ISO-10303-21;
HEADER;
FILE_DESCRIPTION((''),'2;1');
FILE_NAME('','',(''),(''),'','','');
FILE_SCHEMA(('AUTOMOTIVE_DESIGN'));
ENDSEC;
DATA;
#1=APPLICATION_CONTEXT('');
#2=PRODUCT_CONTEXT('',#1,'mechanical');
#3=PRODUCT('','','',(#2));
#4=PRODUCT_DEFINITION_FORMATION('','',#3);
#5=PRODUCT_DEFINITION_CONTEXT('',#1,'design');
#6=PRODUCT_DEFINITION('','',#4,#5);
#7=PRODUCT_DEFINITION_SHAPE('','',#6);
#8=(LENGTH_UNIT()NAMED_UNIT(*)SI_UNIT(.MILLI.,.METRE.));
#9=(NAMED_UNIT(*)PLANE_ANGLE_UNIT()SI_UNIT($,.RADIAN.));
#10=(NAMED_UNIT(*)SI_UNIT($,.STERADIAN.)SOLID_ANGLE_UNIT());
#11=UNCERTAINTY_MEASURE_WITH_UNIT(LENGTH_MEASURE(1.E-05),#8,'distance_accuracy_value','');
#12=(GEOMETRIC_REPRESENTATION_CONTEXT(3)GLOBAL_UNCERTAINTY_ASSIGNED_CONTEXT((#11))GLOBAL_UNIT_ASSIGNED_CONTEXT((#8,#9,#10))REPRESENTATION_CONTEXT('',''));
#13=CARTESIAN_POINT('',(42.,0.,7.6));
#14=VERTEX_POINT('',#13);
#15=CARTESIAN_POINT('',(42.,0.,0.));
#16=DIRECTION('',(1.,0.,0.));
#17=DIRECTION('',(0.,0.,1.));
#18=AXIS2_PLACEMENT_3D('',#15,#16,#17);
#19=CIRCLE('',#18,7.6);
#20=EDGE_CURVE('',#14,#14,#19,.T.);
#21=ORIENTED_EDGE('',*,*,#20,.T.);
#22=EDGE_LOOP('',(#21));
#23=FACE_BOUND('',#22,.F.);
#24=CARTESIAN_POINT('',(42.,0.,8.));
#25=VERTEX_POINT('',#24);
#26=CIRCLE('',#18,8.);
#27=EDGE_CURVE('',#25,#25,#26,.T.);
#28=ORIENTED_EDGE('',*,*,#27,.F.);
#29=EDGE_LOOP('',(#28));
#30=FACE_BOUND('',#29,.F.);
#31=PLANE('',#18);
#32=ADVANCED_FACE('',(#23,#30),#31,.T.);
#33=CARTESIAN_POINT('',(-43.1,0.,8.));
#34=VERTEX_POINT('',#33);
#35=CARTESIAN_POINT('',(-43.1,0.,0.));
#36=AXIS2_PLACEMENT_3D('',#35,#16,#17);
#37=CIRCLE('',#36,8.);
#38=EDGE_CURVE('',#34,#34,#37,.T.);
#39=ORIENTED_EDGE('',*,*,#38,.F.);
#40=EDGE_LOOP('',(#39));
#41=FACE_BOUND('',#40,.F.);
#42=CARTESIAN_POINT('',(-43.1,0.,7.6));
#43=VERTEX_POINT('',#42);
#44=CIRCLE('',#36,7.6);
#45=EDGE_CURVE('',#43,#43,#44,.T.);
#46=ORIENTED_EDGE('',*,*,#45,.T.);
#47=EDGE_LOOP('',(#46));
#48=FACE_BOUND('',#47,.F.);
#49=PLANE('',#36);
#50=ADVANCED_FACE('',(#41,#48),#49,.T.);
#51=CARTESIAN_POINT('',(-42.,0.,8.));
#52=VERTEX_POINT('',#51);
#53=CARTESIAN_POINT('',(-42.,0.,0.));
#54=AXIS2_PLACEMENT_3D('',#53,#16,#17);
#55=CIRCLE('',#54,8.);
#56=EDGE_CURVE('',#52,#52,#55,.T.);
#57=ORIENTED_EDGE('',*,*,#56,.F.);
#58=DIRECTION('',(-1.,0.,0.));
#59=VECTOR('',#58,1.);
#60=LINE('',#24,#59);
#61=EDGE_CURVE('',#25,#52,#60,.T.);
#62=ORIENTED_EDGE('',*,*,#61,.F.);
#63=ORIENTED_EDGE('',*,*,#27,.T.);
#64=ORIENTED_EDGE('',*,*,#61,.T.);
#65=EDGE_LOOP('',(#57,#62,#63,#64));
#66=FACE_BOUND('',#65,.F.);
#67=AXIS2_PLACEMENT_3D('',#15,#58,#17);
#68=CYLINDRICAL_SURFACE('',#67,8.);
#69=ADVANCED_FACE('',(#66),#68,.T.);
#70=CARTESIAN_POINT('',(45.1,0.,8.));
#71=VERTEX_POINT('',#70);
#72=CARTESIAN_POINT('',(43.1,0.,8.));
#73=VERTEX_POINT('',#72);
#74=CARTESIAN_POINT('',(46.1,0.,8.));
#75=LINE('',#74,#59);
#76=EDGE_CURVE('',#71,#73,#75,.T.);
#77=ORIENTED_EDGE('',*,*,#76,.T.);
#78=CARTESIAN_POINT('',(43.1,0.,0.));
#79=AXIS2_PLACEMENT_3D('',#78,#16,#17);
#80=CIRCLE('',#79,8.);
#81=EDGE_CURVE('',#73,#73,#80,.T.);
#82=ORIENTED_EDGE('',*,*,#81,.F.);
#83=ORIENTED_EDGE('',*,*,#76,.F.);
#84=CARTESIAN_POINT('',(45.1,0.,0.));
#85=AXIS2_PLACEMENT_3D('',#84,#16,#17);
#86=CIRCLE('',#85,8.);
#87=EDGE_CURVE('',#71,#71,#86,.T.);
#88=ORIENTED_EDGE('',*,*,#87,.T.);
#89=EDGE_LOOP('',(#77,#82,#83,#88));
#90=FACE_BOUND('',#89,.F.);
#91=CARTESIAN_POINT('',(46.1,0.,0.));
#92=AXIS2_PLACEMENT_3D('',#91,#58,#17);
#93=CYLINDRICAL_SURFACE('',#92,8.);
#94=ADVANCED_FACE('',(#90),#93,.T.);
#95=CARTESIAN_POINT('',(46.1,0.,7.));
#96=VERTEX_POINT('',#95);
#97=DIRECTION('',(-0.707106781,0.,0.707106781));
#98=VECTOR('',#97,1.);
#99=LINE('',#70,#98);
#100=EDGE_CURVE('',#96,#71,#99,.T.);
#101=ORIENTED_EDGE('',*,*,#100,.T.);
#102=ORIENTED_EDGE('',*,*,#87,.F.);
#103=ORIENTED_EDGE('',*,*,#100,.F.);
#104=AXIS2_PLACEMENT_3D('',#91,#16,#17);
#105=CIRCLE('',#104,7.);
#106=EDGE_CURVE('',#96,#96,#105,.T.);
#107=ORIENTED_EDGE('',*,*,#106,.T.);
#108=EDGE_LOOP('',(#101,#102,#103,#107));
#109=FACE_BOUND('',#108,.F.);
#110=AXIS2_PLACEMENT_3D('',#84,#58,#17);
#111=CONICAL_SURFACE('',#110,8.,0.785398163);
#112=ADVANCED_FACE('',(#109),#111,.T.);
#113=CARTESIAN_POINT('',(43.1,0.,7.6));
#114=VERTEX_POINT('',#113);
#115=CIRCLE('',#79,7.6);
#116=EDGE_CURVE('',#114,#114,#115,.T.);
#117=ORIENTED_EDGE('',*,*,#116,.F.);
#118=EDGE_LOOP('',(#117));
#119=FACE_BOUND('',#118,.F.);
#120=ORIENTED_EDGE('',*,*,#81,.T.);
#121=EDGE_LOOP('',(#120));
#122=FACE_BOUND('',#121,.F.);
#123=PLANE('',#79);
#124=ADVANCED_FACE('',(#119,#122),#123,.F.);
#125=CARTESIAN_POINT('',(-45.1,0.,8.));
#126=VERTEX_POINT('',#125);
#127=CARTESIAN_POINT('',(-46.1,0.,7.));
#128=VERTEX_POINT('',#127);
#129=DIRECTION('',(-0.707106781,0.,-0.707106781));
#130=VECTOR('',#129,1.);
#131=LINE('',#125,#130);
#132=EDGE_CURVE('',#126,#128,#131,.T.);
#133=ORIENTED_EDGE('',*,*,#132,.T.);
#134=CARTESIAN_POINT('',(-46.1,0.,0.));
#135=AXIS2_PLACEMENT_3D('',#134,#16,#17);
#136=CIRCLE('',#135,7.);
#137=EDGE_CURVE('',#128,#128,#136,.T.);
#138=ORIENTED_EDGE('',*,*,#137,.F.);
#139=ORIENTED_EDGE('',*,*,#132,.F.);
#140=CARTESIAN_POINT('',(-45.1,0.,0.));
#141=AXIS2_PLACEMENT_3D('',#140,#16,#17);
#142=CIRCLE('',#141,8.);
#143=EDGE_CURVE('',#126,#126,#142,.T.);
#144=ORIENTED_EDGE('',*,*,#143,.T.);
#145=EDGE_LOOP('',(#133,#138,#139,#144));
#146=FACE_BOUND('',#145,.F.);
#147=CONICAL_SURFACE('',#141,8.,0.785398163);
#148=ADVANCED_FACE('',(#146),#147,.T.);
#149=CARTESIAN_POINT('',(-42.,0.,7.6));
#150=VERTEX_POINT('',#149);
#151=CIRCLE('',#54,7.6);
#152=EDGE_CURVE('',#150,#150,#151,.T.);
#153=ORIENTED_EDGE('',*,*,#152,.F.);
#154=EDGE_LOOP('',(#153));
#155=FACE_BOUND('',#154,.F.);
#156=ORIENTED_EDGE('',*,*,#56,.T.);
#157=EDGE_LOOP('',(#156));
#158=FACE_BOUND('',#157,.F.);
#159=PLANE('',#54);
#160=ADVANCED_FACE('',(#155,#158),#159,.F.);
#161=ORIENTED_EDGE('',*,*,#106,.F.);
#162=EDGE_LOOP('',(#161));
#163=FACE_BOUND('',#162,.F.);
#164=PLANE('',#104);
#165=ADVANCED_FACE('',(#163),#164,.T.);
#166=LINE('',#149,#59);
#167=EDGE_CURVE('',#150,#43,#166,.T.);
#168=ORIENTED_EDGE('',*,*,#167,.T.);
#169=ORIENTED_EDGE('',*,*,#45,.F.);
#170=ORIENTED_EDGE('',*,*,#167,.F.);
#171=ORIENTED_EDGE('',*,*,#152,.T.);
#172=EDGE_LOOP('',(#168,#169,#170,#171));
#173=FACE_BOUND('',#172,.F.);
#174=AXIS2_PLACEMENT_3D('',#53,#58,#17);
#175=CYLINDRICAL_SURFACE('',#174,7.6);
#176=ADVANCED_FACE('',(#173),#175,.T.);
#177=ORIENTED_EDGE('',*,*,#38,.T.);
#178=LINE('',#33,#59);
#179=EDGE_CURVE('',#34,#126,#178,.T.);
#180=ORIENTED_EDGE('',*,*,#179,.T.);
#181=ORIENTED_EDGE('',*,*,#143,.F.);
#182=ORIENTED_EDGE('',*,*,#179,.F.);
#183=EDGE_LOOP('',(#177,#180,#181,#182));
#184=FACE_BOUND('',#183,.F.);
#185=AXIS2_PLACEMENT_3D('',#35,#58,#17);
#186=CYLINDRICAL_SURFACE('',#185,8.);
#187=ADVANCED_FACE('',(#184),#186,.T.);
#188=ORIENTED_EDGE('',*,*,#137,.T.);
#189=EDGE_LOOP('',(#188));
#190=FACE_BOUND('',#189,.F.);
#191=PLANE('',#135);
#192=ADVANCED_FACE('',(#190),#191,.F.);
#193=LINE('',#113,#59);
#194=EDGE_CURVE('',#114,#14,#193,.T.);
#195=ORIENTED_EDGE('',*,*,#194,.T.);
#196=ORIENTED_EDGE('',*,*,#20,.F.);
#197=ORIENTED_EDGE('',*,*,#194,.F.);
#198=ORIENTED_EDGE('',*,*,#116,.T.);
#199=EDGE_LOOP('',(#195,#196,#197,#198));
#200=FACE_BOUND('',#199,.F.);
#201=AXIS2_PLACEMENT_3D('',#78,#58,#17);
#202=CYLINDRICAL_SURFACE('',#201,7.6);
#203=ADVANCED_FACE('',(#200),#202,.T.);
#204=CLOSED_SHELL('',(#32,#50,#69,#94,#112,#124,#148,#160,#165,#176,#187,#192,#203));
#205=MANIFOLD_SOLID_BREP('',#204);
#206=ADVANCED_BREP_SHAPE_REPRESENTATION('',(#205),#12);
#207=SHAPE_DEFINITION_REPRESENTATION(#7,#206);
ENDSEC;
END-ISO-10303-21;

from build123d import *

# Parameters (mm, degrees)
F2_SIZE = 1


with BuildPart() as f1:
    # F0 (on Front) → F1 (revolve)
    with BuildSketch(Plane.XZ):
        Polygon((42, 8), (0, 8), (-42, 8), (-42, 7.6), (-43.1, 7.6), (-43.1, 8), (-46.1, 8), (-46.1, 0), (46.1, 0), (46.1, 8), (43.1, 8), (43.1, 7.6), (42, 7.6), align=None)
    revolve(axis=Axis((0, 0, 0), (1, 0, 0)))

    # F2
    f2_edges = [f1.edges().sort_by_distance(p)[0] for p in [
        (-46.1, 0, -8),
        (46.1, 0, -8),
    ]]
    chamfer(f2_edges, length=F2_SIZE)


solid = f1.part
